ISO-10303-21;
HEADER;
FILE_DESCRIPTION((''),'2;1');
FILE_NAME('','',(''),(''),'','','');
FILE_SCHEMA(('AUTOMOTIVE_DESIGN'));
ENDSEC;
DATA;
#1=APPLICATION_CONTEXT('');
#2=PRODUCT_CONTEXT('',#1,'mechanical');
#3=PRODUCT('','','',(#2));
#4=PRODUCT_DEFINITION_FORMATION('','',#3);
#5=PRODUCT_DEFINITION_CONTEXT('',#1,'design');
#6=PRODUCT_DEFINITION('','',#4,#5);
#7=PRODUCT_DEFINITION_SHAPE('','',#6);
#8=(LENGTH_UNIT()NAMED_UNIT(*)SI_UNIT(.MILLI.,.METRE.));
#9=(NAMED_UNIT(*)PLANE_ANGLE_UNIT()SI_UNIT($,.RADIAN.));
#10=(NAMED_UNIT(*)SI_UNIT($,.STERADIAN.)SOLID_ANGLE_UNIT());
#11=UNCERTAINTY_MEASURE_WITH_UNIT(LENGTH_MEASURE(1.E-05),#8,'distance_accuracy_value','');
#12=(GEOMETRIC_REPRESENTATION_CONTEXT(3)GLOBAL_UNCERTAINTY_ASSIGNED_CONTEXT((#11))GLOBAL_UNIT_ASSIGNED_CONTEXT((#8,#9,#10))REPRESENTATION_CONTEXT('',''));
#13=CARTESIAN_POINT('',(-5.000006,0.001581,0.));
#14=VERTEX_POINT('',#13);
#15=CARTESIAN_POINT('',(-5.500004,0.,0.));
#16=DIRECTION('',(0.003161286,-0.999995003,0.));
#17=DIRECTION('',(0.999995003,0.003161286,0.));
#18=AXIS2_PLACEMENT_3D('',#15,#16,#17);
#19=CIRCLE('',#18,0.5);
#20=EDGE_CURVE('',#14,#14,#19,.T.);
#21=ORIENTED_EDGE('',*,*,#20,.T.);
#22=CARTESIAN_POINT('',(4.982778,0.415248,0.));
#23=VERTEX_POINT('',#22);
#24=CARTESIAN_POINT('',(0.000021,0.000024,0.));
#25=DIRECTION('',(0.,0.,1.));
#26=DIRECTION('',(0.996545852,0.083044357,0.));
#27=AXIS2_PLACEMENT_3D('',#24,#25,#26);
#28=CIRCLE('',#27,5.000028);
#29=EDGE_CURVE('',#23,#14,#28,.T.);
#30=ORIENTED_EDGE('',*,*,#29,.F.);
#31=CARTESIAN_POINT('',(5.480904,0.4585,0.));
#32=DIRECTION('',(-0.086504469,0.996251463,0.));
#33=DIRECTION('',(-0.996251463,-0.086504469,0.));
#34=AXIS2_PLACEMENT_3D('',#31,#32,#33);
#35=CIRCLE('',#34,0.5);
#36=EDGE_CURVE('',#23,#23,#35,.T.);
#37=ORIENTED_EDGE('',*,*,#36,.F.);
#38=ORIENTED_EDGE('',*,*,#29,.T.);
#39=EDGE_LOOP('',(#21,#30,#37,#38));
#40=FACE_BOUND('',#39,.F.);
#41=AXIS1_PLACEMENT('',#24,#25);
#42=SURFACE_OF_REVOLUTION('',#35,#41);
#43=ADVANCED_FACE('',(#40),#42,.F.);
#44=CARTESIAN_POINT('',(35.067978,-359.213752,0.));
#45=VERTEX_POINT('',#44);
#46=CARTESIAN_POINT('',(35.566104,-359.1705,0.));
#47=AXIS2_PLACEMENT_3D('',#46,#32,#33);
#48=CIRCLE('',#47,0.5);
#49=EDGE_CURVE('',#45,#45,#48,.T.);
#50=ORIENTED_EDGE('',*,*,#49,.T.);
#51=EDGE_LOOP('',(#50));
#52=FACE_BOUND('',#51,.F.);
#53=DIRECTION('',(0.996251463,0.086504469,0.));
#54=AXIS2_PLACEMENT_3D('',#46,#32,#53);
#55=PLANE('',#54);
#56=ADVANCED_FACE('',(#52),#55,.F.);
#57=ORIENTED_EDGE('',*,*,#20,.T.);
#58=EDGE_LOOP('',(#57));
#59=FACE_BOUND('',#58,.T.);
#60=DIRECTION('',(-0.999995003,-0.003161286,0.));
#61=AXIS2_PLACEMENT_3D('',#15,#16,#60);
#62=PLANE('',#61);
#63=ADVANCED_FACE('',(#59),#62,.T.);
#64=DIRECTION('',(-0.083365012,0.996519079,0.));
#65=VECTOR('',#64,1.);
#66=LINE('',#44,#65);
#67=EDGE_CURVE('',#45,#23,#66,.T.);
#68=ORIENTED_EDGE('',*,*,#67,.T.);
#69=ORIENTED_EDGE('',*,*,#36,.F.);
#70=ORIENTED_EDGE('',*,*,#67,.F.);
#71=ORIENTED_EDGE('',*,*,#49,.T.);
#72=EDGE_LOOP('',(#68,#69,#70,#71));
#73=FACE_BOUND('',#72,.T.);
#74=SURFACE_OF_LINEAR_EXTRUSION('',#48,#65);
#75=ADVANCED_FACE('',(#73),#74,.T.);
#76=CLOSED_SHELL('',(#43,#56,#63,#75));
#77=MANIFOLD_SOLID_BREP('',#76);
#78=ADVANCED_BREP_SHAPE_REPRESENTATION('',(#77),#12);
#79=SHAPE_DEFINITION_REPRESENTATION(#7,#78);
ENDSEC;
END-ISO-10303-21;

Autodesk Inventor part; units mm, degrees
ref_plane "YZ Plane" through (0, 0, 0) normal (1, 0, 0) x (0, 1, 0)
ref_plane "XZ Plane" through (0, 0, 0) normal (0, 1, 0) x (-1, 0, 0)
ref_plane "XY Plane" through (0, 0, 0) normal (0, 0, 1) x (1, 0, 0)
sketch "Sketch1" plane through (0, 0, 0) normal (0, 0, 1) x (1, 0, 0)
  line L0 (33.5736, -359.3435) -> (37.5586, -358.9974) projected
  circle A0 centre (0, 0) radius 5 projected
  arc A1 (5.4809, 0.4585) -> (-5.5, 0) centre (0, 0) ccw
  line L1 (35.5661, -359.1705) -> (5.4809, 0.4585)
  line L2 (-5.5, 0) -> (-5.5, -25)
  dimension "d0" = 11
  dimension "d1" = 25
  dimension "d2" = 360.8852
ref_plane "Work Plane1" through (33.5736, -359.3435, -9) normal (-0.0865, 0.9962, 0) x (-0.9962, -0.0865, 0)
sketch "Sketch2" plane through (33.5736, -359.3435, -9) normal (-0.0865, 0.9962, 0) x (-0.9962, -0.0865, 0)
  circle A0 centre (-2, 9) radius 0.5 projected
  circle A1 centre (-2, 9) radius 0.5
  point P0 (2.3507, 9)
sweep "Sweep1" add profiles "Sketch2" path "Sketch1" path curves L1 A1
properties part number "Rope"
